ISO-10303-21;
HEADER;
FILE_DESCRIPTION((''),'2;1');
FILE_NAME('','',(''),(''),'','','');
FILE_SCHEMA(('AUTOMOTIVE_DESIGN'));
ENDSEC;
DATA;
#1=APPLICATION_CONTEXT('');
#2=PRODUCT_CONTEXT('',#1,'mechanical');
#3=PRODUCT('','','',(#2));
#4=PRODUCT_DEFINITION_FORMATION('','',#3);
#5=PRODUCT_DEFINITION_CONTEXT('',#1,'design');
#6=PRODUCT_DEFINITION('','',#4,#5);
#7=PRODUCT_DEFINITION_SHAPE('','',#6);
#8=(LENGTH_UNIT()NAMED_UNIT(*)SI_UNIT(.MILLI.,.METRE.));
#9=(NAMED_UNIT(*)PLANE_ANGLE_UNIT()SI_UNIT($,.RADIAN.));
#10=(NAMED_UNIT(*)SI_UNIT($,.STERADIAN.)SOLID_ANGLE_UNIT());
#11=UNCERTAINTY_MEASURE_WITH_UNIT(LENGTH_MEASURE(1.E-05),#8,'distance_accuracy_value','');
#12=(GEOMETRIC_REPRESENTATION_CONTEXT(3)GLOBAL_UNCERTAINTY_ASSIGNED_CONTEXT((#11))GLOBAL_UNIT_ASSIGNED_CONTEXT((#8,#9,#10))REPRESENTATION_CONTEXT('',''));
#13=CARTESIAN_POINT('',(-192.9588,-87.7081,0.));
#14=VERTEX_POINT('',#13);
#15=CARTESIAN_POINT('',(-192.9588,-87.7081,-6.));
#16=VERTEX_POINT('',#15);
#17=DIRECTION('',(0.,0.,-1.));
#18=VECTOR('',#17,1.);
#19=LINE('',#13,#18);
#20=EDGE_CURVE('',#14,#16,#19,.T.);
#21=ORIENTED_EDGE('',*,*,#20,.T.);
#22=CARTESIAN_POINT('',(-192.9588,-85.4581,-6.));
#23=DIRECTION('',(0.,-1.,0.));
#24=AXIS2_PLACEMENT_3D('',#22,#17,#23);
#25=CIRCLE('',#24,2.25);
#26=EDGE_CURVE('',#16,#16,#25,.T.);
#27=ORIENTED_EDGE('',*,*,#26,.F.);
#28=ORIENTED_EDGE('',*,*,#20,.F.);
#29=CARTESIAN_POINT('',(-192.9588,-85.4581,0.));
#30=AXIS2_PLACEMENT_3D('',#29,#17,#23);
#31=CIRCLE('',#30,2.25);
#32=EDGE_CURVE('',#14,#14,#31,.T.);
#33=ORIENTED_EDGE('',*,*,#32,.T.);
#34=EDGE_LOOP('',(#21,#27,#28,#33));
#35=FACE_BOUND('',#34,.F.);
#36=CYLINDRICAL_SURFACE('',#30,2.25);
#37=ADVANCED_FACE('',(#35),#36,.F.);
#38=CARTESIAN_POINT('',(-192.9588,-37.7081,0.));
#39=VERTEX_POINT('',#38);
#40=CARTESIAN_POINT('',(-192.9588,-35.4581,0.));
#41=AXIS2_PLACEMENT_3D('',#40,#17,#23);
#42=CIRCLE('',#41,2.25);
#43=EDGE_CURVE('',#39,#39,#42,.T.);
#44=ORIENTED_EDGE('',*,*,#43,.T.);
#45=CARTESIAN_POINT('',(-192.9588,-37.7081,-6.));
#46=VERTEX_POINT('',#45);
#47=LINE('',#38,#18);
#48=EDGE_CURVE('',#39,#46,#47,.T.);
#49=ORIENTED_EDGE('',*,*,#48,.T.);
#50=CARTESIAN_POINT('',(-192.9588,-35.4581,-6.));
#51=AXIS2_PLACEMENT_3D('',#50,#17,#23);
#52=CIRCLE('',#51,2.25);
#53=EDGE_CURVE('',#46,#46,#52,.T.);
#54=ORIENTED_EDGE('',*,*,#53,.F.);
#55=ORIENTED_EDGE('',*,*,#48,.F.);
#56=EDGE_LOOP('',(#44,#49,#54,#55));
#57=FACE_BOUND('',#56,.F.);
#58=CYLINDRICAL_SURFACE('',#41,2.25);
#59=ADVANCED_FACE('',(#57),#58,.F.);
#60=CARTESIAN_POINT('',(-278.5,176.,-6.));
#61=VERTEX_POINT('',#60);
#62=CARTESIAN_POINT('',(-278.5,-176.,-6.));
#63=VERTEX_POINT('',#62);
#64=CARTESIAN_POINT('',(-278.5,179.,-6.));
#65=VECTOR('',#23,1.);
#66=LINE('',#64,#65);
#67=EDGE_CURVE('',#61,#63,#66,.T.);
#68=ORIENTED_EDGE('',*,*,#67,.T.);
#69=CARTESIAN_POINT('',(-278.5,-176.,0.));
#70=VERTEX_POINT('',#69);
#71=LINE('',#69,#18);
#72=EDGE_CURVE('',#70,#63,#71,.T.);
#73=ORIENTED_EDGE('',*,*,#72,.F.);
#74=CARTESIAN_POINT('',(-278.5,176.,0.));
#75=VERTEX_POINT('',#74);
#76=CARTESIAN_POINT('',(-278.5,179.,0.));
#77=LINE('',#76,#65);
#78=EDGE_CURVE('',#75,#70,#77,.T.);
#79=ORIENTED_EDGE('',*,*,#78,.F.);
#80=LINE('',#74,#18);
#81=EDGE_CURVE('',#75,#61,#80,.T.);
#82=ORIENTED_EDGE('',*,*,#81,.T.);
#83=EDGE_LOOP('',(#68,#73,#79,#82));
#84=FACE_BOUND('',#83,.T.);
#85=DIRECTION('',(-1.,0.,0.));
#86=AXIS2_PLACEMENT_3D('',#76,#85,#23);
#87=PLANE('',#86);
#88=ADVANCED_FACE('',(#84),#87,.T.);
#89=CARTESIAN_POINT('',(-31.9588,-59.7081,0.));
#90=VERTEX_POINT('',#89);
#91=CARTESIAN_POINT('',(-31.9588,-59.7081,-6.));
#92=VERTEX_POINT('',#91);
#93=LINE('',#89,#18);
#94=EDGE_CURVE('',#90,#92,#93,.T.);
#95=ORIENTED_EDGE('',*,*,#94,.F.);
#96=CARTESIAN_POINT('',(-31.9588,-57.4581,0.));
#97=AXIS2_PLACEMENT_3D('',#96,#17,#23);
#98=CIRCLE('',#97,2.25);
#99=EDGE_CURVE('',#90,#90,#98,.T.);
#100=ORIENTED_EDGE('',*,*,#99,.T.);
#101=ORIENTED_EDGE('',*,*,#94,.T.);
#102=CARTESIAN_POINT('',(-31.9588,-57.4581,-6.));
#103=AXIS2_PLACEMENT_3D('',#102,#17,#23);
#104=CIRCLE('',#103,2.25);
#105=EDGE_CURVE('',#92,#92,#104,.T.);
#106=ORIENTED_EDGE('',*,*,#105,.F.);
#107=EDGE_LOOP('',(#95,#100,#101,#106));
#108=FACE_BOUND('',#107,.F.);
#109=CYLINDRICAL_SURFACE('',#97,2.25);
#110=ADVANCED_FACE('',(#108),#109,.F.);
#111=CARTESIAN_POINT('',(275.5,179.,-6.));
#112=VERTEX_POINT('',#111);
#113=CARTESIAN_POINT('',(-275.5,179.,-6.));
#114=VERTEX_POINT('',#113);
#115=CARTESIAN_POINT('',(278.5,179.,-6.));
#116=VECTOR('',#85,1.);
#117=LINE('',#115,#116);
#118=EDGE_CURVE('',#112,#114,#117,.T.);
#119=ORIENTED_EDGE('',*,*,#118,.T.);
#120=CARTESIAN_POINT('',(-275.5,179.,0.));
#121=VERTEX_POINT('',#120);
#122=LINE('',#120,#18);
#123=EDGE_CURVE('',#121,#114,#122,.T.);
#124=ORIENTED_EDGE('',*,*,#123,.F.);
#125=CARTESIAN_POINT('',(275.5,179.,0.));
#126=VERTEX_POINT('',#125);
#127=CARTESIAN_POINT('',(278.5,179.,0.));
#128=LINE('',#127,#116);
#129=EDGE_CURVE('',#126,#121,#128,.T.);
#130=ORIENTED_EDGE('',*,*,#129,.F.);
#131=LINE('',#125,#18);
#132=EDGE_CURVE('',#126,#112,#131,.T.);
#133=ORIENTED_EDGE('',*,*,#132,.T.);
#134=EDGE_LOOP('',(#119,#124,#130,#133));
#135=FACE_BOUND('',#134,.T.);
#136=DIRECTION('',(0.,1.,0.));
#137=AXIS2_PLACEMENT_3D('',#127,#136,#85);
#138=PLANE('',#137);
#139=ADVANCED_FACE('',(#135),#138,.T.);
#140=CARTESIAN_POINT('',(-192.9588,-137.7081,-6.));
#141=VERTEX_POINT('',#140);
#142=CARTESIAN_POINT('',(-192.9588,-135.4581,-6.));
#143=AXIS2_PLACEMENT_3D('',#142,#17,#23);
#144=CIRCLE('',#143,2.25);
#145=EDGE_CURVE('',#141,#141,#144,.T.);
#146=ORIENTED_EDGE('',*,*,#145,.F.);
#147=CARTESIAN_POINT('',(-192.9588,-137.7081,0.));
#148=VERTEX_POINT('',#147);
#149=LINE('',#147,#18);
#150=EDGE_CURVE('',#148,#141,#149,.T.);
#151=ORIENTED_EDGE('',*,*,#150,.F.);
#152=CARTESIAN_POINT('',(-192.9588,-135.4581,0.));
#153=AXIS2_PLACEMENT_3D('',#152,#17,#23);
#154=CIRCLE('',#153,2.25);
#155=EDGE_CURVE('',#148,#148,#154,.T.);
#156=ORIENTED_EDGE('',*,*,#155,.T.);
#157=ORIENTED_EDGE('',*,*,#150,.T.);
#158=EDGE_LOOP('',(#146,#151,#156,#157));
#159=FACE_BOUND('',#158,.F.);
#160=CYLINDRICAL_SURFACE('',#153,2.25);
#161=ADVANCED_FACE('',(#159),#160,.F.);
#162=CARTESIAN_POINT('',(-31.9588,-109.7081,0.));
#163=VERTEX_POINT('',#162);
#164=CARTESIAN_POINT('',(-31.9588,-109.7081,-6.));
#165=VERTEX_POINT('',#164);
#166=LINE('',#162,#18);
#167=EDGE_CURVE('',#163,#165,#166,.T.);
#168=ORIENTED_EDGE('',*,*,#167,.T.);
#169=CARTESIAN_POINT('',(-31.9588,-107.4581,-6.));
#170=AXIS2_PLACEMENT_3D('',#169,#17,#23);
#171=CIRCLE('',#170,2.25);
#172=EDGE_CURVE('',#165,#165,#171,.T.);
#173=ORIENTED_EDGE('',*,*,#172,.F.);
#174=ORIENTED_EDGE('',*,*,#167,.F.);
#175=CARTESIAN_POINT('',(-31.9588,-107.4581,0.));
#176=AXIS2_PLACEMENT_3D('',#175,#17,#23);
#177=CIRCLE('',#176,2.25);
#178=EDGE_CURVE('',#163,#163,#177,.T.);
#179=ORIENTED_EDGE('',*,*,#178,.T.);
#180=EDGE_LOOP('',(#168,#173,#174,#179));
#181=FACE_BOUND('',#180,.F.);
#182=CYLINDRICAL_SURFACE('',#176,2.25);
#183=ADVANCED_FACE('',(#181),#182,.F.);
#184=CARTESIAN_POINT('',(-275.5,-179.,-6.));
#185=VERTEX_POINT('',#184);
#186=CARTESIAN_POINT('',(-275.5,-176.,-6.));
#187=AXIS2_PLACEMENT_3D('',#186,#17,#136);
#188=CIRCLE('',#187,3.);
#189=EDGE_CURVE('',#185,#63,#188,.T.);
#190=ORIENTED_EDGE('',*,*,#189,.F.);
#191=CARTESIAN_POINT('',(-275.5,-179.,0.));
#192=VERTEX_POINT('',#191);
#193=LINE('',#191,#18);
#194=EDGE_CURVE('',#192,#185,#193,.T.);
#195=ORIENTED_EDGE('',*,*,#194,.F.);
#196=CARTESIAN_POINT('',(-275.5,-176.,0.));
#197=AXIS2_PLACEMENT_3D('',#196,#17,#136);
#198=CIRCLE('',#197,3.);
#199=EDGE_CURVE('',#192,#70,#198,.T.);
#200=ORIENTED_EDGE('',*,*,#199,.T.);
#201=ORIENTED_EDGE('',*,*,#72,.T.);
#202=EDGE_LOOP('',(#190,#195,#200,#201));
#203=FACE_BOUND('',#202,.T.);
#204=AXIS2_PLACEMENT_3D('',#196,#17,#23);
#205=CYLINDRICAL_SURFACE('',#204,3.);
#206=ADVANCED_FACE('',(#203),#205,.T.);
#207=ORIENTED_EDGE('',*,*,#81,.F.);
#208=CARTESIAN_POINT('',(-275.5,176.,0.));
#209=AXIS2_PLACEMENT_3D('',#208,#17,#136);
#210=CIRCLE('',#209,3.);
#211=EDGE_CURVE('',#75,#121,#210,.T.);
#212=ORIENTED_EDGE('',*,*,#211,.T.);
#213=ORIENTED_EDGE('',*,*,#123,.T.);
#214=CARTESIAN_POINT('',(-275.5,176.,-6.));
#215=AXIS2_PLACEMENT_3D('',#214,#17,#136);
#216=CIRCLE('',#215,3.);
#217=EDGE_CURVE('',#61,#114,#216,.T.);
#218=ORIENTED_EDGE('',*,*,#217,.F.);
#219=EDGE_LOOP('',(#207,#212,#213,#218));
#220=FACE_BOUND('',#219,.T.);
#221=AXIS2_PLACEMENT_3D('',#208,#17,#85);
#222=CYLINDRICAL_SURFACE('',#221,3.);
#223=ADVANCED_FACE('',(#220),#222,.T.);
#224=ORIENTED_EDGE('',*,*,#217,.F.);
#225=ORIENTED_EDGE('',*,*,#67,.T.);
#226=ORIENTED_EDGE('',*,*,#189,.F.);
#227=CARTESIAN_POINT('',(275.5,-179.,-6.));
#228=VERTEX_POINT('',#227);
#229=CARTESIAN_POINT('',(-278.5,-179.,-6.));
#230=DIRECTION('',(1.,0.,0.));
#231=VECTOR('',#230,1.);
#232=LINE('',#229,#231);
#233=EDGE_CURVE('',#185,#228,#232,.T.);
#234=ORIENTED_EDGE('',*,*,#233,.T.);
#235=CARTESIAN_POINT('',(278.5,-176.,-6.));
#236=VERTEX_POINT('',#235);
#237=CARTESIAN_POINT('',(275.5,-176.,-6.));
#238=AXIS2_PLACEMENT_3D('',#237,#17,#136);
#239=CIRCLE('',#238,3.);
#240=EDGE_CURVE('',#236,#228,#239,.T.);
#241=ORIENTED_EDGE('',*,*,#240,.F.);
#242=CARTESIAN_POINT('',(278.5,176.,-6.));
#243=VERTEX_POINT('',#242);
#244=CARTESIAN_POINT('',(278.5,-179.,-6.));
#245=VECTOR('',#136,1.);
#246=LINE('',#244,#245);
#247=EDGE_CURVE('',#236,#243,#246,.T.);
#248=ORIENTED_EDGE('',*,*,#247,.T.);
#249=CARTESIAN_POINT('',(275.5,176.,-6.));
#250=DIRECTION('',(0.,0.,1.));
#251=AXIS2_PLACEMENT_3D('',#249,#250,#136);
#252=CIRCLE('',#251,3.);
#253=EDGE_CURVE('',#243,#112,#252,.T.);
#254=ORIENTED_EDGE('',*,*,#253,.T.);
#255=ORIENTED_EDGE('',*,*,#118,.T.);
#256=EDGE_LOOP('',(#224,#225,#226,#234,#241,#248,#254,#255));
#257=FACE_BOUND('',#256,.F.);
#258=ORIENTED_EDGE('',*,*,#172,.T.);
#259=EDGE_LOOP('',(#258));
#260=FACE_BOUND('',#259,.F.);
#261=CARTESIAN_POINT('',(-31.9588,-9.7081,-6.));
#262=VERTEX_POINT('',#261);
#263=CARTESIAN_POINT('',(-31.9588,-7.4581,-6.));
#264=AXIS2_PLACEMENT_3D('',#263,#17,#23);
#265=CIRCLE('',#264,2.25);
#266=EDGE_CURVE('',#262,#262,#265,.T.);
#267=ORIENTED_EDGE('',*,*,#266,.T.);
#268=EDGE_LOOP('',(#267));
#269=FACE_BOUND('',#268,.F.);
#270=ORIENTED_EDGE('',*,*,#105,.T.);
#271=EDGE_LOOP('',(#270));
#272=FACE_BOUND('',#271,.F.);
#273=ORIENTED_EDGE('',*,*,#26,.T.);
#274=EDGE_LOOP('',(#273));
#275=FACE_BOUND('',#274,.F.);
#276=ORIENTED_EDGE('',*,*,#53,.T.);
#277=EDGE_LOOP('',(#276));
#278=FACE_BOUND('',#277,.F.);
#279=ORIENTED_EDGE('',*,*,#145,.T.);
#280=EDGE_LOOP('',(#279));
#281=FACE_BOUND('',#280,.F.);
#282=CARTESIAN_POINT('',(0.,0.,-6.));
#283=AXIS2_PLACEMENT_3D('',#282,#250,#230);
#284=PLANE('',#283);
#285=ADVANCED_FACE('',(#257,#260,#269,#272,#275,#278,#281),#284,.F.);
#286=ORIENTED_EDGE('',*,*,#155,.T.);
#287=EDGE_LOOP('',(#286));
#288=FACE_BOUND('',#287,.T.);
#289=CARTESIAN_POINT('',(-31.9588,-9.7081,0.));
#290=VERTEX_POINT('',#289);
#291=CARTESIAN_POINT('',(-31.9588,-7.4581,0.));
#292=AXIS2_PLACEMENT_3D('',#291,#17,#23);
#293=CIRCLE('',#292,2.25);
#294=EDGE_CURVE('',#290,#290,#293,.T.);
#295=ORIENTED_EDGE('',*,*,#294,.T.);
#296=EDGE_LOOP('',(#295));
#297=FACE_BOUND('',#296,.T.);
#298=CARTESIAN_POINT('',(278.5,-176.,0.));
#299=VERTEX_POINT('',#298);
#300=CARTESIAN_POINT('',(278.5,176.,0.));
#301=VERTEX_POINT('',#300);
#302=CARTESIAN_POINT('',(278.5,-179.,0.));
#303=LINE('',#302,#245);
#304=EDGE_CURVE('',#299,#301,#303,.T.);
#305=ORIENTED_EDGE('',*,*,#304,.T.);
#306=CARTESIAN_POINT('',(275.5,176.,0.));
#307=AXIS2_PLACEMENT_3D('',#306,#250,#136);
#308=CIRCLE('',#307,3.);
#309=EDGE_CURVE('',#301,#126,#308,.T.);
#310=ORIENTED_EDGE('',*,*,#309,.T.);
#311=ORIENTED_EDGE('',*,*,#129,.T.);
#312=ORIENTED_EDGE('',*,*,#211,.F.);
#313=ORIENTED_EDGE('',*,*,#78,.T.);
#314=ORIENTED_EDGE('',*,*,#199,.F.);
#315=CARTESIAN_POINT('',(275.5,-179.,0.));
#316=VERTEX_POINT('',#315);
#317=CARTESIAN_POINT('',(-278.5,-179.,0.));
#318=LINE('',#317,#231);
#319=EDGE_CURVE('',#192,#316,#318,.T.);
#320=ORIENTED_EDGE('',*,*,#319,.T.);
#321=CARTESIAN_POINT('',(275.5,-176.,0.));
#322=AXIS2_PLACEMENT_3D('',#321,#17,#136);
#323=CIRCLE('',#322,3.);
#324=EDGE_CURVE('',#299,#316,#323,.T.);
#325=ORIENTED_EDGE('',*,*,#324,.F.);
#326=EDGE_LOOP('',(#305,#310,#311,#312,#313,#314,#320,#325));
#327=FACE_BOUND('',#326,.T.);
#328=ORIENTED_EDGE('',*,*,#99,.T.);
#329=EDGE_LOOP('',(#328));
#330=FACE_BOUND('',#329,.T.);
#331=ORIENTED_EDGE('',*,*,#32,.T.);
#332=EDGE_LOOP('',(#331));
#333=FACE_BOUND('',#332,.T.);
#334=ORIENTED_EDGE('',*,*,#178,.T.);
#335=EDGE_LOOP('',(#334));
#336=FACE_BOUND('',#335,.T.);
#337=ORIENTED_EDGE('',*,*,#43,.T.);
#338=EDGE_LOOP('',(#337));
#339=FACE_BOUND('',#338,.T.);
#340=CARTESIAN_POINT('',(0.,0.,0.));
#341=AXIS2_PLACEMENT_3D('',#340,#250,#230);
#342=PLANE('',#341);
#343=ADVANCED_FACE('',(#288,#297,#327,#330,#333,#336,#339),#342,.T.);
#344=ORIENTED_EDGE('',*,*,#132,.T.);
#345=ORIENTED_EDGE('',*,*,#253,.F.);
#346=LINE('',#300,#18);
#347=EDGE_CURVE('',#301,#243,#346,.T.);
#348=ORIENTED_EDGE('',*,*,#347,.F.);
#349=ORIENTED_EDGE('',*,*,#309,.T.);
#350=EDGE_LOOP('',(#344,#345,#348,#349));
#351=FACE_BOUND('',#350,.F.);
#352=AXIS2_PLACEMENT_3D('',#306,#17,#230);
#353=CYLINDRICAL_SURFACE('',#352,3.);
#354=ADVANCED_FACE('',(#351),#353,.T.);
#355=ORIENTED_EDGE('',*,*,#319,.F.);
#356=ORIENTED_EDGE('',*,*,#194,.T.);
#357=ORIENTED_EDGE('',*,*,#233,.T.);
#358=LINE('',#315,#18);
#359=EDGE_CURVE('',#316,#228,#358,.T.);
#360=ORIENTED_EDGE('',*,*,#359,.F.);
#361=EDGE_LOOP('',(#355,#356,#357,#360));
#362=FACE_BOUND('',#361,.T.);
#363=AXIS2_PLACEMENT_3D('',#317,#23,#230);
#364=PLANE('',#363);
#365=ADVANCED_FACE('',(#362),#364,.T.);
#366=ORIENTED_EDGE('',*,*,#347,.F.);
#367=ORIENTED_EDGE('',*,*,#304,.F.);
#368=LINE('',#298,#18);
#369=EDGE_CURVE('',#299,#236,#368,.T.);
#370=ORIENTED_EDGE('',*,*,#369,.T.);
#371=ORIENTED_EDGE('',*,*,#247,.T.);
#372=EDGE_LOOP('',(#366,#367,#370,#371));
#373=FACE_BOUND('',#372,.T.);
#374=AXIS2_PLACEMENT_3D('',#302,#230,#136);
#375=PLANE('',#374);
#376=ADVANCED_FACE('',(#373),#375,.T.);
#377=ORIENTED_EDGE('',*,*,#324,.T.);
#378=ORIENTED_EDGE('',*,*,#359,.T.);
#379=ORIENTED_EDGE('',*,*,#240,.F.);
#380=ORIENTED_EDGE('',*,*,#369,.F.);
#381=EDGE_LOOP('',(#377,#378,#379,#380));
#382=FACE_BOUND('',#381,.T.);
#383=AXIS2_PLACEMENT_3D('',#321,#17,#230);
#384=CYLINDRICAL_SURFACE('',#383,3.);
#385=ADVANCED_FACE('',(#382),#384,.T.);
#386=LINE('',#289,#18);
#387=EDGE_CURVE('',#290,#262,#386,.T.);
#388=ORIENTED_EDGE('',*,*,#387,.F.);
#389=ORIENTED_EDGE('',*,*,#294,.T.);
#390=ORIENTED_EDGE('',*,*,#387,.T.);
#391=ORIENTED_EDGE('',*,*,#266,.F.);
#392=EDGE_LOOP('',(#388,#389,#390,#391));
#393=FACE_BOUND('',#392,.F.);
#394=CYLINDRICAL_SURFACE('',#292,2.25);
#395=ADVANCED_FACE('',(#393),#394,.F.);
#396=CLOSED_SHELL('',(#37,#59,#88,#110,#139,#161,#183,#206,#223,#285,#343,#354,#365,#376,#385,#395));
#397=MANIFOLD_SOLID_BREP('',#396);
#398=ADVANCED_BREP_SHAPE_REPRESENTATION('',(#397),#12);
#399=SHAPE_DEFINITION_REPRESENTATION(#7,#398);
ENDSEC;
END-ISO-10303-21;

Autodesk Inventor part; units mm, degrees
ref_plane "YZ Plane" through (0, 0, 0) normal (1, 0, 0) x (0, 1, 0)
ref_plane "XZ Plane" through (0, 0, 0) normal (0, 1, 0) x (-1, 0, 0)
ref_plane "XY Plane" through (0, 0, 0) normal (0, 0, 1) x (1, 0, 0)
sketch "Sketch2" plane through (0, 0, 0) normal (0, 0, 1) x (1, 0, 0)
  line L0 (278.5, 179) -> (-278.5, 179)
  line L1 (-278.5, 179) -> (-278.5, -179)
  line L2 (-278.5, -179) -> (278.5, -179)
  line L3 (278.5, -179) -> (278.5, 179)
  line L4 (278.5, 179) -> (-278.5, -179) construction
  line L5 (-278.5, 179) -> (278.5, -179) construction
  point P0 (0, 0)
  dimension "d0" = 557
  dimension "d1" = 358
extrude "Extrusion1" add sketch "Sketch2" against normal blind 6
fillet "Fillet1" radius 3 4 edges at (-278.5, -179, -3) (-278.5, 179, -3) (278.5, -179, -3) (278.5, 179, -3)
sketch "Sketch3" plane through (0, 0, 0) normal (0, 0, 1) x (1, 0, 0)
  line L0 (-192.9588, -135.4581) -> (-192.9588, -85.4581) construction
  line L1 (-192.9588, -85.4581) -> (-192.9588, -35.4581) construction
  line L2 (-192.9588, -135.4581) -> (-31.9588, -107.4581) construction
  line L3 (-192.9588, -85.4581) -> (-31.9588, -57.4581) construction
  line L4 (-192.9588, -35.4581) -> (-31.9588, -7.4581) construction
  line L5 (-197.4588, -141.4581) -> (-27.4588, -141.4581)
  line L6 (-27.4588, -141.4581) -> (-27.4588, -101.4581)
  line L7 (-27.4588, -101.4581) -> (-197.4588, -101.4581)
  line L8 (-197.4588, -101.4581) -> (-197.4588, -141.4581)
  line L9 (-197.4588, -141.4581) -> (-27.4588, -101.4581) construction
  line L10 (-27.4588, -141.4581) -> (-197.4588, -101.4581) construction
  line L11 (-197.4588, -91.4581) -> (-27.4588, -91.4581)
  line L12 (-27.4588, -91.4581) -> (-27.4588, -51.4581)
  line L13 (-27.4588, -51.4581) -> (-197.4588, -51.4581)
  line L14 (-197.4588, -51.4581) -> (-197.4588, -91.4581)
  line L15 (-197.4588, -91.4581) -> (-27.4588, -51.4581) construction
  line L16 (-27.4588, -91.4581) -> (-197.4588, -51.4581) construction
  line L17 (-197.4588, -41.4581) -> (-27.4588, -41.4581)
  line L18 (-27.4588, -41.4581) -> (-27.4588, -1.4581)
  line L19 (-27.4588, -1.4581) -> (-197.4588, -1.4581)
  line L20 (-197.4588, -1.4581) -> (-197.4588, -41.4581)
  line L21 (-197.4588, -41.4581) -> (-27.4588, -1.4581) construction
  line L22 (-27.4588, -41.4581) -> (-197.4588, -1.4581) construction
  line L23 (22.5412, -161.4581) -> (-247.4588, -161.4581)
  line L24 (-247.4588, -161.4581) -> (-247.4588, 18.5419)
  line L25 (-247.4588, 18.5419) -> (22.5412, 18.5419)
  line L26 (22.5412, 18.5419) -> (22.5412, -161.4581)
  line L27 (22.5412, -161.4581) -> (-247.4588, 18.5419) construction
  line L28 (-247.4588, -161.4581) -> (22.5412, 18.5419) construction
  point P0 (0, 0)
  point P1 (-112.4588, -121.4581)
  point P2 (-112.4588, -71.4581)
  point P3 (-112.4588, -21.4581)
  dimension "d12" = 28
  dimension "d13" = 161
  dimension "d14" = 161
  dimension "d15" = 28
  dimension "d16" = 28
  dimension "d17" = 161
  dimension "d18" = 50
  dimension "d19" = 50
  dimension "d20" = 170
  dimension "d21" = 40
  dimension "d22" = 170
  dimension "d23" = 40
  dimension "d24" = 170
  dimension "d25" = 40
  dimension "d26" = 20
  dimension "d27" = 50
hole "Hole1" at (-192.9588, -135.4581, 0) at (-31.9588, -107.4581, 0) at (-192.9588, -85.4581, 0) at (-31.9588, -7.4581, 0) at (-31.9588, -57.4581, 0) at (-192.9588, -35.4581, 0) direction (0, 0, -1) diameter 4.5 end through all clearance for "Flat Head Machine Screw" size "M4" standard "Ansi Metric M Profile"
properties part number "TB_FRM_MC_001_BasePlate"
